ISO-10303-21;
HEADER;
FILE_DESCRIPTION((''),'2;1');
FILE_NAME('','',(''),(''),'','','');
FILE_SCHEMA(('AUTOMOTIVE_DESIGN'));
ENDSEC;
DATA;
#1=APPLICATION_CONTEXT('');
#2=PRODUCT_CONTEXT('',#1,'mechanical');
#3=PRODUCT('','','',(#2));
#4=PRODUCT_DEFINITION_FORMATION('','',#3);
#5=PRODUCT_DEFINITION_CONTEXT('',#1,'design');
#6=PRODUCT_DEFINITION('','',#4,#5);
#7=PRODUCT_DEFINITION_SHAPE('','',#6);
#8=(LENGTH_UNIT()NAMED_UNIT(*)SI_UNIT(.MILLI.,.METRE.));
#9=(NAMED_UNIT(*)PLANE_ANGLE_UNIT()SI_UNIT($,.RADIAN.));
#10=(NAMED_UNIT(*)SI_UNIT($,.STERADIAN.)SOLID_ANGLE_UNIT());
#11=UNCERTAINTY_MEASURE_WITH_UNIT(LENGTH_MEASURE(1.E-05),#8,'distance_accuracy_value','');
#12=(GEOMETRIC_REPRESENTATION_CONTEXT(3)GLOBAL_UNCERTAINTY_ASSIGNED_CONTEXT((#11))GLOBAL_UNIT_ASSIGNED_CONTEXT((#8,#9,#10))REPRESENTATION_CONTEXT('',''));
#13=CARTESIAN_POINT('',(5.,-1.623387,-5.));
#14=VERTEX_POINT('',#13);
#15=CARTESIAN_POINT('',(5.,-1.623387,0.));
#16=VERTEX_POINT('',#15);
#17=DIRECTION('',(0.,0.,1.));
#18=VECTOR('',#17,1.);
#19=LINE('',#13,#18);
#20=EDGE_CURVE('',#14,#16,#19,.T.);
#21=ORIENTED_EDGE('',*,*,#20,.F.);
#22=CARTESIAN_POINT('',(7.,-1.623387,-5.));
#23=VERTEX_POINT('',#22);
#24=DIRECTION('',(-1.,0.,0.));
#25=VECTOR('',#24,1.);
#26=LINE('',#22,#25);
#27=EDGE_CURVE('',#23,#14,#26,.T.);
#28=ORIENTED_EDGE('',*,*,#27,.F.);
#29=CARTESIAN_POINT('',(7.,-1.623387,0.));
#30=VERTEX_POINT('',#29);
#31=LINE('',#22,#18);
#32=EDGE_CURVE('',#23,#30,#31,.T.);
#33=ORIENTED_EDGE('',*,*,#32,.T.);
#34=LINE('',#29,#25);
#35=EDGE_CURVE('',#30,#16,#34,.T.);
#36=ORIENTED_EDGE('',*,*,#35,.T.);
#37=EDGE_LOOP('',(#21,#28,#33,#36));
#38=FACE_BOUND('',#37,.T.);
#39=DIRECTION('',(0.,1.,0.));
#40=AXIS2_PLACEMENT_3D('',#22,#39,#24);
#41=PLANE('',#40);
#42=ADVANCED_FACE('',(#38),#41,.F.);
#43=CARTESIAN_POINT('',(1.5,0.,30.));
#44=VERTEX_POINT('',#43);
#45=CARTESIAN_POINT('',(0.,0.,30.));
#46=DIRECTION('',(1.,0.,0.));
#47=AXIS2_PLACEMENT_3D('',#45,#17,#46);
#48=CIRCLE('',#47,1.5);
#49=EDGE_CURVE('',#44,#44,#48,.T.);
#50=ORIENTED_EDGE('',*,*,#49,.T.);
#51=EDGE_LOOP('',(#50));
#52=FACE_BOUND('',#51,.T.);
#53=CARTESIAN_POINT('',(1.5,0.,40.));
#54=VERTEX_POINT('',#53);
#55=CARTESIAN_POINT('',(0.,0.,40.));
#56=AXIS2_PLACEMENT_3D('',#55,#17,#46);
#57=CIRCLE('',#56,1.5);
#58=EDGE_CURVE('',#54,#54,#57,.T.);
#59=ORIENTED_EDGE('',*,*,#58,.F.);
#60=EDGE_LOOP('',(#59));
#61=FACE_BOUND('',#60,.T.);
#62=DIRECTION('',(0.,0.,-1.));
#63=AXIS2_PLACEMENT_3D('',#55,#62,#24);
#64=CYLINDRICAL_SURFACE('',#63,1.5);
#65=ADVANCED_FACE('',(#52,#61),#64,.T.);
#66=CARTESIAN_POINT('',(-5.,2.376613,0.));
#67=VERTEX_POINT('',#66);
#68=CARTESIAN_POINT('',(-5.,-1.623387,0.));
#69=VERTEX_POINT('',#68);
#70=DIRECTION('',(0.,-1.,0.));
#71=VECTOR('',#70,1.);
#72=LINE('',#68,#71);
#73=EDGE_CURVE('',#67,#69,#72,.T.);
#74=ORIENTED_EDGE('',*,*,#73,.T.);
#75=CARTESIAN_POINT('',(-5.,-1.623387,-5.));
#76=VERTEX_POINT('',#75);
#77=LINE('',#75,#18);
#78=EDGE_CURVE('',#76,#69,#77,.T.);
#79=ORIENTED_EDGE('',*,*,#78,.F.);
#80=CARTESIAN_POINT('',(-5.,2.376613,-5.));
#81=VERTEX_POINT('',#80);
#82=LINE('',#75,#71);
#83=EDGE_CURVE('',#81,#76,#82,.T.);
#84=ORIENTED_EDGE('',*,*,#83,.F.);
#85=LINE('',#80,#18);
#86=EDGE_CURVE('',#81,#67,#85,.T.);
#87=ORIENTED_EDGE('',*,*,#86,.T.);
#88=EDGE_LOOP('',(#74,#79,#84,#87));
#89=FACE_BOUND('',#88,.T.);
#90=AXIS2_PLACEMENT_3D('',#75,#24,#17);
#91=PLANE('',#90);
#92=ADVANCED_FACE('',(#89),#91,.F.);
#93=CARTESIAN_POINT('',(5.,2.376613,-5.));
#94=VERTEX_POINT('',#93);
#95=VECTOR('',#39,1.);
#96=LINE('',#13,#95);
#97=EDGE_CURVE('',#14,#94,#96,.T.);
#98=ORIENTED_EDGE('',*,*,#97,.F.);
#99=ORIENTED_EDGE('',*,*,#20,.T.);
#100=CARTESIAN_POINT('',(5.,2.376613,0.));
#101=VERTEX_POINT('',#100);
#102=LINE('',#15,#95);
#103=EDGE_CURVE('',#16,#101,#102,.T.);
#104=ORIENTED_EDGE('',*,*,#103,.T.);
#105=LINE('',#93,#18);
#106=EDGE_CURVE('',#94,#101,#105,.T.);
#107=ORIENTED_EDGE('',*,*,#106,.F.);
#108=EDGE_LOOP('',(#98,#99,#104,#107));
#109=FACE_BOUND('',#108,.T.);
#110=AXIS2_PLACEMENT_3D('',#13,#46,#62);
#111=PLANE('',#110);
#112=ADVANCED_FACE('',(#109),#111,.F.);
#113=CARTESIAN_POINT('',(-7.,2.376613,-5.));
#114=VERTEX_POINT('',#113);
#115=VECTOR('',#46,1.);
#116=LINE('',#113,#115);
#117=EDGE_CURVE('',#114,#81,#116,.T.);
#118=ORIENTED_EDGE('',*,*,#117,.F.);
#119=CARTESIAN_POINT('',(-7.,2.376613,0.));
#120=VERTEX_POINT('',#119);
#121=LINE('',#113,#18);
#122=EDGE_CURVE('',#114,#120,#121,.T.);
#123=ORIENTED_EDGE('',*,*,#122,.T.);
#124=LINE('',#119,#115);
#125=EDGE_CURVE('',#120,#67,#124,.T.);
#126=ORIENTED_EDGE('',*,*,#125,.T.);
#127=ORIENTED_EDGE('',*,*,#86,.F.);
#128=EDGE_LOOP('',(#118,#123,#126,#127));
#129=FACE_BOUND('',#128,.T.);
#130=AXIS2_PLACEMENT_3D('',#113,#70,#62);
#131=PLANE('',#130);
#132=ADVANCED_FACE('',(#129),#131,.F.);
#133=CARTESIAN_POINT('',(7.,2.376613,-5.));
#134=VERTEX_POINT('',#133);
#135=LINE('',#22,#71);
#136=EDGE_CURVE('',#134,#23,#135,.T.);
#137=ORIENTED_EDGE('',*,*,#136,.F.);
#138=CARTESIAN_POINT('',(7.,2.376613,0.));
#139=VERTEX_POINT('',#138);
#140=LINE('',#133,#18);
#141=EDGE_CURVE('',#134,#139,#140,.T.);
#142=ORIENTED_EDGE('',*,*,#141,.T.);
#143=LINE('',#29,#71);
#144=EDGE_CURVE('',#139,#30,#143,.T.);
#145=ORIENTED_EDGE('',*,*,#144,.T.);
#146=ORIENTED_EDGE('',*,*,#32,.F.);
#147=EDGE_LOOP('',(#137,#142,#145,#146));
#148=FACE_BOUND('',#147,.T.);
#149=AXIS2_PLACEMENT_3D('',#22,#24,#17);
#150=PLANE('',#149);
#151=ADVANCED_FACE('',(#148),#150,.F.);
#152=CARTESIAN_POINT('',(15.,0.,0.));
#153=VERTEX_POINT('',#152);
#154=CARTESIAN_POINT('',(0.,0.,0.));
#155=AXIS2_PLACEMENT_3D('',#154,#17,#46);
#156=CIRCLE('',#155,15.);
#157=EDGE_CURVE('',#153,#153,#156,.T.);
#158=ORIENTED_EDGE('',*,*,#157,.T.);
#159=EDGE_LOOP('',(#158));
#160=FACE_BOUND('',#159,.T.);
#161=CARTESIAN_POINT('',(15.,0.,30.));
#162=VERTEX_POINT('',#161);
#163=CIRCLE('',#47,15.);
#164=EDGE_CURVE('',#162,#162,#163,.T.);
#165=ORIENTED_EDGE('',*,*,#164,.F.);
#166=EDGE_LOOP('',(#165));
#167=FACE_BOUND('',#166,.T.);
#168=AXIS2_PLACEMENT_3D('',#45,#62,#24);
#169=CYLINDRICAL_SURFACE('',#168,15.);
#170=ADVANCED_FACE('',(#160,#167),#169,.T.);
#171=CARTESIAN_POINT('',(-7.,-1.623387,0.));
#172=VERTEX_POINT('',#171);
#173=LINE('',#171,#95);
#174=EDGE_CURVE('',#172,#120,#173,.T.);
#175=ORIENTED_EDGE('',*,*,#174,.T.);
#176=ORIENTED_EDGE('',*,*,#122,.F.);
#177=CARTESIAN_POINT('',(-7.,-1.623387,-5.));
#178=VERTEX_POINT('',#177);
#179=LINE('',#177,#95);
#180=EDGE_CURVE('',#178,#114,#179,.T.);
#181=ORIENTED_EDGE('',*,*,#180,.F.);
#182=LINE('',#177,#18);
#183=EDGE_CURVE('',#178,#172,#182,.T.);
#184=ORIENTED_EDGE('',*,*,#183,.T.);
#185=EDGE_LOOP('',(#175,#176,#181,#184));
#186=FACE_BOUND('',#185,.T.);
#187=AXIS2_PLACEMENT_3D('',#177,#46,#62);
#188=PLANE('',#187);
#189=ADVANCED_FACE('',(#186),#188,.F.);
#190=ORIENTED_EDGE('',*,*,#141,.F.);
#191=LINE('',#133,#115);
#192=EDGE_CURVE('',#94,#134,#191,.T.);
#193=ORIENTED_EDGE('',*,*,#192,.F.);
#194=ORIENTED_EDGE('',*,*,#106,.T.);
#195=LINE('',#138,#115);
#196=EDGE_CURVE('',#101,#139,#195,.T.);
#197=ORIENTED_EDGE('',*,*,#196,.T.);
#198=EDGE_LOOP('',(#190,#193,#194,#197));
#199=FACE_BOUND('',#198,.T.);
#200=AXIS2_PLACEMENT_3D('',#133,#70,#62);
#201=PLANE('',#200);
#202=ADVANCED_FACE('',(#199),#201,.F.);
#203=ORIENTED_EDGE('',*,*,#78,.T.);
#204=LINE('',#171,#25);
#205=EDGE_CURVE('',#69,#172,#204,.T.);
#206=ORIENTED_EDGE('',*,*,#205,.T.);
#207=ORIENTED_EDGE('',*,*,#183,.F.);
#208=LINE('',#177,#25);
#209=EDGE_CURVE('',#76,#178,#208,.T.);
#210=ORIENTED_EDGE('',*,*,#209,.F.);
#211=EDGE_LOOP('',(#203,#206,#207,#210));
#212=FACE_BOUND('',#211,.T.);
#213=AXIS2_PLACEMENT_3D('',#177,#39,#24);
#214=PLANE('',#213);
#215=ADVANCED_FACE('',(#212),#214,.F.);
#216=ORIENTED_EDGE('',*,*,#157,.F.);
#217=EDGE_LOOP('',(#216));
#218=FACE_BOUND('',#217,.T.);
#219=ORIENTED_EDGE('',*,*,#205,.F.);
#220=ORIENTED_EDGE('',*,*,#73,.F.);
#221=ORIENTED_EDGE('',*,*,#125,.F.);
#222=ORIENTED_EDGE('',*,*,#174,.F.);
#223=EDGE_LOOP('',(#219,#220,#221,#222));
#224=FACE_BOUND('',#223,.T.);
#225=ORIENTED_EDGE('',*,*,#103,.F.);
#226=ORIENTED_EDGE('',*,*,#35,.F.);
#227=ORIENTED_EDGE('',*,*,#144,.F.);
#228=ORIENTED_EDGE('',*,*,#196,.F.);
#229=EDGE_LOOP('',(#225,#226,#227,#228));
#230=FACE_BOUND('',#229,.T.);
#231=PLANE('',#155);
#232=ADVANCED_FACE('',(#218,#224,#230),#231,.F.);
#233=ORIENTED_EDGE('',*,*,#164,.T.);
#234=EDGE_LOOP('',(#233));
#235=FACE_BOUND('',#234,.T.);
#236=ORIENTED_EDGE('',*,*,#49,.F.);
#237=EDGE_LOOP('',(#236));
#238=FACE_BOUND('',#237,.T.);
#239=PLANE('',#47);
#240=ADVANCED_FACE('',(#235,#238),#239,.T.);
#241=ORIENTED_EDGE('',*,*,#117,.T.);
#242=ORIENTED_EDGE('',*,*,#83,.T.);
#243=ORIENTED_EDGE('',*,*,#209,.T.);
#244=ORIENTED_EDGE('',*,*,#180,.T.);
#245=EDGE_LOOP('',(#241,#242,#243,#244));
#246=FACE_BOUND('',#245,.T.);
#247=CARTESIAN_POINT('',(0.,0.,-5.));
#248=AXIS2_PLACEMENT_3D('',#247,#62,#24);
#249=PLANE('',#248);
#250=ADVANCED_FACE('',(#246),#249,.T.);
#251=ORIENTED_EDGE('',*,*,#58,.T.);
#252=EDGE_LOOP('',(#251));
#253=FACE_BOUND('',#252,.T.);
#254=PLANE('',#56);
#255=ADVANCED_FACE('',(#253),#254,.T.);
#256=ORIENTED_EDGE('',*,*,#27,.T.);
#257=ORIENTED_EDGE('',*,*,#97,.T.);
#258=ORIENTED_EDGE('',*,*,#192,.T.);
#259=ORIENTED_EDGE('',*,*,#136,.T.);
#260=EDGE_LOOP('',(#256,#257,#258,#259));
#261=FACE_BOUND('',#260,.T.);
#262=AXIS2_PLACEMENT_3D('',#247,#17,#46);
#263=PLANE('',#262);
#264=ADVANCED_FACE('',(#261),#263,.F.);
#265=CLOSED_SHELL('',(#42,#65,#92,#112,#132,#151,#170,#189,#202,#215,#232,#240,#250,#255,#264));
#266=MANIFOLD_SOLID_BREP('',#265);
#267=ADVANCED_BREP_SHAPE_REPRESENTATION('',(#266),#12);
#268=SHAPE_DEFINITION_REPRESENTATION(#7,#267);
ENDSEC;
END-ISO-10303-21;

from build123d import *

# Parameters (mm, degrees)
SKETCH1_R           = 15
BOSS_EXTRUDE1_DEPTH = 30
SKETCH2_R           = 1.5
BOSS_EXTRUDE2_DEPTH = 10
SKETCH3_W           = 2
SKETCH3_H           = 4
BOSS_EXTRUDE3_DEPTH = 5


with BuildPart() as part:
    # Sketch1 → Boss-Extrude1 (new body)
    with BuildSketch(Plane.XY):
        Circle(SKETCH1_R)
    extrude(amount=BOSS_EXTRUDE1_DEPTH)

    # Sketch2 → Boss-Extrude2 (add)
    with BuildSketch(Plane.XY.offset(30)):
        Circle(SKETCH2_R)
    extrude(amount=BOSS_EXTRUDE2_DEPTH)

    # Sketch3 → Boss-Extrude3 (add)
    with BuildSketch(Plane(origin=(0, 0, 0), x_dir=(-1, 0, 0), z_dir=(0, 0, -1))):
        with Locations((-6, 0.376613429)):
            Rectangle(SKETCH3_W, SKETCH3_H)
        with Locations((6, 0.376613429)):
            Rectangle(SKETCH3_W, SKETCH3_H)
    extrude(amount=BOSS_EXTRUDE3_DEPTH)


solid = part.part
